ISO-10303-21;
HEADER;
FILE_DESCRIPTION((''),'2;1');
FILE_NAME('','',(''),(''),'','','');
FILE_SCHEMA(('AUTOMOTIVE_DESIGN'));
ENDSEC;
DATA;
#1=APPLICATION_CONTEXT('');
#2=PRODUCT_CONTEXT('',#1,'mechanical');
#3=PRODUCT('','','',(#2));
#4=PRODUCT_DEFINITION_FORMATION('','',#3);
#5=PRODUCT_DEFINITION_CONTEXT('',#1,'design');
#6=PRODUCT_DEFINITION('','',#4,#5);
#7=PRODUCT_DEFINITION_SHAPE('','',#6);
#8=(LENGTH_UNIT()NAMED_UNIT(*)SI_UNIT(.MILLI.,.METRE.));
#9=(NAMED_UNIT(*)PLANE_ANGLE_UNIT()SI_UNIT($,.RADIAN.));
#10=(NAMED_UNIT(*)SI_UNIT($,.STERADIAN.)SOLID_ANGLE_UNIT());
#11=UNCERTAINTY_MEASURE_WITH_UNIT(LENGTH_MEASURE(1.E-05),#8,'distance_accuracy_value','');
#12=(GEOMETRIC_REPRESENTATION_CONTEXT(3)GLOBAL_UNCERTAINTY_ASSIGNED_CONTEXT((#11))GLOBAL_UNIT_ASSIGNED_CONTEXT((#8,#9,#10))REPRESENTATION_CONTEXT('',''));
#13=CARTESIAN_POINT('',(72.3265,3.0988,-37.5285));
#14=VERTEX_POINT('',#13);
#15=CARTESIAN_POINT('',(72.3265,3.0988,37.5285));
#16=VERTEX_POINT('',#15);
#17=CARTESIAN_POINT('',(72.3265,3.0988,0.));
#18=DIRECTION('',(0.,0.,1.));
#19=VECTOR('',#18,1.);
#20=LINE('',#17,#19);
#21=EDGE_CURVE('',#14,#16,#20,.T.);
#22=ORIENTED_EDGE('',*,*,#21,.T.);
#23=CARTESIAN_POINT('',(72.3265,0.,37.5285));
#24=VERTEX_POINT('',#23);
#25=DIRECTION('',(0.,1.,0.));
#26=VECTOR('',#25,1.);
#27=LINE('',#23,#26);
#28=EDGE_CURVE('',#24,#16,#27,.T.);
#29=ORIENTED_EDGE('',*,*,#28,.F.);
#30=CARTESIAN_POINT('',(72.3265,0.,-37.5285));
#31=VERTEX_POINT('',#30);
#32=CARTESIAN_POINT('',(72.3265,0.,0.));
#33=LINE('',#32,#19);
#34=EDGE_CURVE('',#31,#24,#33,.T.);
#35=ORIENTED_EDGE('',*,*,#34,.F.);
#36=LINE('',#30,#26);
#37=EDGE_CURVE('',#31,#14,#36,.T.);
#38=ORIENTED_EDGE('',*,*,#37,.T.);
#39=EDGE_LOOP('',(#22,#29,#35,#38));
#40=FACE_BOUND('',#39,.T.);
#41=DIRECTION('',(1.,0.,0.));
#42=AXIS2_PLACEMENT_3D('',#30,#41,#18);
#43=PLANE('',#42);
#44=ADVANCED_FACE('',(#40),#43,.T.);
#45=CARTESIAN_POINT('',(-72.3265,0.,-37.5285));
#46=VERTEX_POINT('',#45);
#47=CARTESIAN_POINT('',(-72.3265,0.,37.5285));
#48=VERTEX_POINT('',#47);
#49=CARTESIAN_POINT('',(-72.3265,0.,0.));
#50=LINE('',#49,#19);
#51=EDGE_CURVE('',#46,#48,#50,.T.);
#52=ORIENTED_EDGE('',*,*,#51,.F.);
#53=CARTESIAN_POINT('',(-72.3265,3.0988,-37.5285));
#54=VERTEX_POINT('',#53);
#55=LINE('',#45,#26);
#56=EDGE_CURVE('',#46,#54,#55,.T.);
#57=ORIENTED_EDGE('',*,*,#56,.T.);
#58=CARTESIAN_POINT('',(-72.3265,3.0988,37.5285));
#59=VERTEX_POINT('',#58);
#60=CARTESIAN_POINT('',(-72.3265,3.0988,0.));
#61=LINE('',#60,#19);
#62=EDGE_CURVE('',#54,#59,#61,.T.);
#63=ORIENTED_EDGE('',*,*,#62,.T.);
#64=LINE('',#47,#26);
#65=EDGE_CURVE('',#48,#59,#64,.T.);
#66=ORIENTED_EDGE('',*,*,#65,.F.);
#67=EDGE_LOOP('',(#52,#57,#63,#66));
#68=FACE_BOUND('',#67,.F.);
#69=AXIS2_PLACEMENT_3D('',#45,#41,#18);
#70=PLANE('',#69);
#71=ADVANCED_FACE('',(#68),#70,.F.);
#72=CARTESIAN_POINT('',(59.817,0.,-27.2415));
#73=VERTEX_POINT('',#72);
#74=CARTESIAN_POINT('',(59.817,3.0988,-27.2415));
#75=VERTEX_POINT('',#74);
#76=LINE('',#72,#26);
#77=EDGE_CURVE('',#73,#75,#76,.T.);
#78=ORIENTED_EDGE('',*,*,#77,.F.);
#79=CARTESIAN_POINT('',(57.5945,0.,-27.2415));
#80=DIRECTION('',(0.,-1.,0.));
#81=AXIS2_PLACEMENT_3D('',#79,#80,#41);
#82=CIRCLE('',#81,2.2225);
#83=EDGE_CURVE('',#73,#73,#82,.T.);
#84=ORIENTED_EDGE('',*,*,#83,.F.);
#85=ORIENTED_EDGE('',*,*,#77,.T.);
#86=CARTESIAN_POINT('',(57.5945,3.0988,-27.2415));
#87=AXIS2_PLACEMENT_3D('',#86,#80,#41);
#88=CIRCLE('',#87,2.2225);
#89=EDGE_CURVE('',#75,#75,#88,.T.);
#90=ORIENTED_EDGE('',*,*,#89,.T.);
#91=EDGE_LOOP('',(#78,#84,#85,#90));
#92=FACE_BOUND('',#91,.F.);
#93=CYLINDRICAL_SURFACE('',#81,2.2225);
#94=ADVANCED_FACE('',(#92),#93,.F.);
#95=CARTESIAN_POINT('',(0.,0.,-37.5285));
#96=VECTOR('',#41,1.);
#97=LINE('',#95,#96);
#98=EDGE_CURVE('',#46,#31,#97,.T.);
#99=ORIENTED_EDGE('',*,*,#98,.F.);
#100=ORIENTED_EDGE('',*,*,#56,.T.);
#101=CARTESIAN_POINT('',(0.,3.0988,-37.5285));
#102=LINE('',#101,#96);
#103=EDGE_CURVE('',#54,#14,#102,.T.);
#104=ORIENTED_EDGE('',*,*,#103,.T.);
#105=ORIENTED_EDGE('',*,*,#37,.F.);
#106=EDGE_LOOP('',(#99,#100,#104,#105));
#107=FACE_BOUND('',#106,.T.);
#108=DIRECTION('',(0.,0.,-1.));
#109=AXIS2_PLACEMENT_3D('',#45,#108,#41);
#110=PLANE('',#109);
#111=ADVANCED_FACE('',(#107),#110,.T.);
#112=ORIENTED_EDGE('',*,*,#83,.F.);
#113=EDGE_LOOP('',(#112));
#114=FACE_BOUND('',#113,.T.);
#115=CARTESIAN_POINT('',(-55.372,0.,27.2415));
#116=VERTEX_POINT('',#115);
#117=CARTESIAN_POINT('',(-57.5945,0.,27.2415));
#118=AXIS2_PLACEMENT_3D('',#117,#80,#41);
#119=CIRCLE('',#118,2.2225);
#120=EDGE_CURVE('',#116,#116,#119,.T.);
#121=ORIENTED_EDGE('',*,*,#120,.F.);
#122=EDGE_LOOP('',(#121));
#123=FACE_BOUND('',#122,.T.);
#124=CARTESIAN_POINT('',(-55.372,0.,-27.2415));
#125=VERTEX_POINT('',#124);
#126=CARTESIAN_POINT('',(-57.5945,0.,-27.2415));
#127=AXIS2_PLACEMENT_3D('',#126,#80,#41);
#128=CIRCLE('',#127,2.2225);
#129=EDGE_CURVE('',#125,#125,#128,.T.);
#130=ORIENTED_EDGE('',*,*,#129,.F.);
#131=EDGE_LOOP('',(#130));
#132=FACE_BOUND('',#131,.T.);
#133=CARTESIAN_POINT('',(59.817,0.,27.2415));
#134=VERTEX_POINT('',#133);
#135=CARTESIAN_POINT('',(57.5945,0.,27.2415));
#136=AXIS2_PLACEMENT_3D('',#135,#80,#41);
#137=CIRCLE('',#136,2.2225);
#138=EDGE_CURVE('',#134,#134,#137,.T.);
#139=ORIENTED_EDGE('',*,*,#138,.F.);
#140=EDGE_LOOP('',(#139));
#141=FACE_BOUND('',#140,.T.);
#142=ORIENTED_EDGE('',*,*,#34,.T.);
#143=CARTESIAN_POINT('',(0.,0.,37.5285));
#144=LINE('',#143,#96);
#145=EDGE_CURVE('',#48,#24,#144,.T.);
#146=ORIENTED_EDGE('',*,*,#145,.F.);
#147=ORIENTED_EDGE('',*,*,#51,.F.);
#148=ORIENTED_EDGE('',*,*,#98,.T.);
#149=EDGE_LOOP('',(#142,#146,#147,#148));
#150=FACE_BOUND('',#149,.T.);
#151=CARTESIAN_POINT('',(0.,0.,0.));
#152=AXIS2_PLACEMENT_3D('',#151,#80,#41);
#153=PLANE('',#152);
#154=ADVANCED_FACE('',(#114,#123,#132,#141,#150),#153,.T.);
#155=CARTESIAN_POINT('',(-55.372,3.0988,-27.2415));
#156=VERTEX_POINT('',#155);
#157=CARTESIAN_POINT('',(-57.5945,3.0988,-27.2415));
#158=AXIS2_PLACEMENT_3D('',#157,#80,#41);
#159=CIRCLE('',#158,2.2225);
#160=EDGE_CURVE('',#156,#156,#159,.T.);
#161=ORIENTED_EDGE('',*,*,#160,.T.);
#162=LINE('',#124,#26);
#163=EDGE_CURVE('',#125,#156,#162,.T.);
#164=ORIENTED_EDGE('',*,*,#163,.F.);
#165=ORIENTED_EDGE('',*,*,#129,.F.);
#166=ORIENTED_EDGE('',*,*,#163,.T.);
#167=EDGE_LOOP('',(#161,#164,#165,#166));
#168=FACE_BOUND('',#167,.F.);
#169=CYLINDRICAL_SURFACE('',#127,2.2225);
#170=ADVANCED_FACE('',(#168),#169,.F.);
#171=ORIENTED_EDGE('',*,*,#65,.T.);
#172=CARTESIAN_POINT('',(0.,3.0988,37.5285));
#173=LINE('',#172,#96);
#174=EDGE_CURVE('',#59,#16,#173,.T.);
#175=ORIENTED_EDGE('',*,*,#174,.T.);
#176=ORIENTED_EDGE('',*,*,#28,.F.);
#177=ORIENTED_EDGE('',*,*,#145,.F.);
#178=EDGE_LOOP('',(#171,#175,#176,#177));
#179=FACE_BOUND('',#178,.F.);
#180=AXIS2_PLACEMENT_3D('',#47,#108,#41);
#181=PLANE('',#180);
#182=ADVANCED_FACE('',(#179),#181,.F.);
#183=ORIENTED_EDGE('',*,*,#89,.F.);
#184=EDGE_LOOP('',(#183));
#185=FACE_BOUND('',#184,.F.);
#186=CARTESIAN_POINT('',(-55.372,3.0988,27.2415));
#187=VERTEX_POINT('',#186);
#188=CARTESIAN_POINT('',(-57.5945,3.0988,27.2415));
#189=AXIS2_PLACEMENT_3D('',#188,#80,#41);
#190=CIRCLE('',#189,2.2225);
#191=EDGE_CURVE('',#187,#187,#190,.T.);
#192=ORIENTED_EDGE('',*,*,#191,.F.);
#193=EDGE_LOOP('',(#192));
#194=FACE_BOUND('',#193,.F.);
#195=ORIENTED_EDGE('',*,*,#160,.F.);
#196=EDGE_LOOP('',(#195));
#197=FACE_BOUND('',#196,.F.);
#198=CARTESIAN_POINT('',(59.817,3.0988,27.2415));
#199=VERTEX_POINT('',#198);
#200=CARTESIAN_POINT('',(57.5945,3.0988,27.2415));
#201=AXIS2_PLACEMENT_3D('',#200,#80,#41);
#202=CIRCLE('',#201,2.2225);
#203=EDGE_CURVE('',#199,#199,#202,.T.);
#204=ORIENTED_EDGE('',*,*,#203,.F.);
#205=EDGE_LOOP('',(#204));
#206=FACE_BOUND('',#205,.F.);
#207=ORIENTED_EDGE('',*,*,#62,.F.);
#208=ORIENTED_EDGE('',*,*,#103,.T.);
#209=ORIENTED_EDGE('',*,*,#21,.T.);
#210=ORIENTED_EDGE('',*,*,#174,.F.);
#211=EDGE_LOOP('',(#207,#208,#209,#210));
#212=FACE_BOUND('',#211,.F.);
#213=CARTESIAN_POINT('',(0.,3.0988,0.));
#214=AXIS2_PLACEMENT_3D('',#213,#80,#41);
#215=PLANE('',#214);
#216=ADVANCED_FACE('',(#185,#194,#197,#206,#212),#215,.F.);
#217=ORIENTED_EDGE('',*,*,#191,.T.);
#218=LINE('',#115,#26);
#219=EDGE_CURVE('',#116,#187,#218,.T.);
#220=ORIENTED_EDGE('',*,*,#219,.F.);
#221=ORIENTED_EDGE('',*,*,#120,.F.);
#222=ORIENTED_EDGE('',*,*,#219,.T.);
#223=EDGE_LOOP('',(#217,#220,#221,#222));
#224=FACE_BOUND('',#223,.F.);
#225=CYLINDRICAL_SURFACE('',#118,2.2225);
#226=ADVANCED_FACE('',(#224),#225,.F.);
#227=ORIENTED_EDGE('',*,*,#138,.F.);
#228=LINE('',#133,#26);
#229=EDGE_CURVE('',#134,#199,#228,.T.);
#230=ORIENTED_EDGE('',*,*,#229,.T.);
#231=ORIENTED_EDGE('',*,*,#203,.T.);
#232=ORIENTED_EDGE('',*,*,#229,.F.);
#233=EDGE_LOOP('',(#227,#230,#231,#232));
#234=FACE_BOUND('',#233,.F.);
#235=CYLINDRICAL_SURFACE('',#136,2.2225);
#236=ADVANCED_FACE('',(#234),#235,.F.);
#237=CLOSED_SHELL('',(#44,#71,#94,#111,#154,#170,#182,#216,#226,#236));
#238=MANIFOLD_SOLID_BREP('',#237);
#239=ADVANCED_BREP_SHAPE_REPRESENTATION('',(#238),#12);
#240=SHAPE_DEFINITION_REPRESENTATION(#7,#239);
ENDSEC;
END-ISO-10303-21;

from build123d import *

# Parameters (mm, degrees)
F0_W     = 144.653
F0_H     = 75.057
F1_DEPTH = 3.0988
F2_R     = 2.2225
F3_DEPTH = 3.0988


with BuildPart() as f1:
    # F0 (on Front) → F1 (new body)
    with BuildSketch(Plane.XZ):
        Rectangle(F0_W, F0_H)
    extrude(amount=-F1_DEPTH)

    # F2 (on face) → F3 (cut, through all)
    with BuildSketch(Plane.XZ):
        with Locations((-57.5945, 27.2415)):
            Circle(F2_R)
        with Locations((-57.5945, -27.2415)):
            Circle(F2_R)
        with Locations((57.5945, -27.2415)):
            Circle(F2_R)
        with Locations((57.5945, 27.2415)):
            Circle(F2_R)
    extrude(amount=-F3_DEPTH, mode=Mode.SUBTRACT)


solid = f1.part
